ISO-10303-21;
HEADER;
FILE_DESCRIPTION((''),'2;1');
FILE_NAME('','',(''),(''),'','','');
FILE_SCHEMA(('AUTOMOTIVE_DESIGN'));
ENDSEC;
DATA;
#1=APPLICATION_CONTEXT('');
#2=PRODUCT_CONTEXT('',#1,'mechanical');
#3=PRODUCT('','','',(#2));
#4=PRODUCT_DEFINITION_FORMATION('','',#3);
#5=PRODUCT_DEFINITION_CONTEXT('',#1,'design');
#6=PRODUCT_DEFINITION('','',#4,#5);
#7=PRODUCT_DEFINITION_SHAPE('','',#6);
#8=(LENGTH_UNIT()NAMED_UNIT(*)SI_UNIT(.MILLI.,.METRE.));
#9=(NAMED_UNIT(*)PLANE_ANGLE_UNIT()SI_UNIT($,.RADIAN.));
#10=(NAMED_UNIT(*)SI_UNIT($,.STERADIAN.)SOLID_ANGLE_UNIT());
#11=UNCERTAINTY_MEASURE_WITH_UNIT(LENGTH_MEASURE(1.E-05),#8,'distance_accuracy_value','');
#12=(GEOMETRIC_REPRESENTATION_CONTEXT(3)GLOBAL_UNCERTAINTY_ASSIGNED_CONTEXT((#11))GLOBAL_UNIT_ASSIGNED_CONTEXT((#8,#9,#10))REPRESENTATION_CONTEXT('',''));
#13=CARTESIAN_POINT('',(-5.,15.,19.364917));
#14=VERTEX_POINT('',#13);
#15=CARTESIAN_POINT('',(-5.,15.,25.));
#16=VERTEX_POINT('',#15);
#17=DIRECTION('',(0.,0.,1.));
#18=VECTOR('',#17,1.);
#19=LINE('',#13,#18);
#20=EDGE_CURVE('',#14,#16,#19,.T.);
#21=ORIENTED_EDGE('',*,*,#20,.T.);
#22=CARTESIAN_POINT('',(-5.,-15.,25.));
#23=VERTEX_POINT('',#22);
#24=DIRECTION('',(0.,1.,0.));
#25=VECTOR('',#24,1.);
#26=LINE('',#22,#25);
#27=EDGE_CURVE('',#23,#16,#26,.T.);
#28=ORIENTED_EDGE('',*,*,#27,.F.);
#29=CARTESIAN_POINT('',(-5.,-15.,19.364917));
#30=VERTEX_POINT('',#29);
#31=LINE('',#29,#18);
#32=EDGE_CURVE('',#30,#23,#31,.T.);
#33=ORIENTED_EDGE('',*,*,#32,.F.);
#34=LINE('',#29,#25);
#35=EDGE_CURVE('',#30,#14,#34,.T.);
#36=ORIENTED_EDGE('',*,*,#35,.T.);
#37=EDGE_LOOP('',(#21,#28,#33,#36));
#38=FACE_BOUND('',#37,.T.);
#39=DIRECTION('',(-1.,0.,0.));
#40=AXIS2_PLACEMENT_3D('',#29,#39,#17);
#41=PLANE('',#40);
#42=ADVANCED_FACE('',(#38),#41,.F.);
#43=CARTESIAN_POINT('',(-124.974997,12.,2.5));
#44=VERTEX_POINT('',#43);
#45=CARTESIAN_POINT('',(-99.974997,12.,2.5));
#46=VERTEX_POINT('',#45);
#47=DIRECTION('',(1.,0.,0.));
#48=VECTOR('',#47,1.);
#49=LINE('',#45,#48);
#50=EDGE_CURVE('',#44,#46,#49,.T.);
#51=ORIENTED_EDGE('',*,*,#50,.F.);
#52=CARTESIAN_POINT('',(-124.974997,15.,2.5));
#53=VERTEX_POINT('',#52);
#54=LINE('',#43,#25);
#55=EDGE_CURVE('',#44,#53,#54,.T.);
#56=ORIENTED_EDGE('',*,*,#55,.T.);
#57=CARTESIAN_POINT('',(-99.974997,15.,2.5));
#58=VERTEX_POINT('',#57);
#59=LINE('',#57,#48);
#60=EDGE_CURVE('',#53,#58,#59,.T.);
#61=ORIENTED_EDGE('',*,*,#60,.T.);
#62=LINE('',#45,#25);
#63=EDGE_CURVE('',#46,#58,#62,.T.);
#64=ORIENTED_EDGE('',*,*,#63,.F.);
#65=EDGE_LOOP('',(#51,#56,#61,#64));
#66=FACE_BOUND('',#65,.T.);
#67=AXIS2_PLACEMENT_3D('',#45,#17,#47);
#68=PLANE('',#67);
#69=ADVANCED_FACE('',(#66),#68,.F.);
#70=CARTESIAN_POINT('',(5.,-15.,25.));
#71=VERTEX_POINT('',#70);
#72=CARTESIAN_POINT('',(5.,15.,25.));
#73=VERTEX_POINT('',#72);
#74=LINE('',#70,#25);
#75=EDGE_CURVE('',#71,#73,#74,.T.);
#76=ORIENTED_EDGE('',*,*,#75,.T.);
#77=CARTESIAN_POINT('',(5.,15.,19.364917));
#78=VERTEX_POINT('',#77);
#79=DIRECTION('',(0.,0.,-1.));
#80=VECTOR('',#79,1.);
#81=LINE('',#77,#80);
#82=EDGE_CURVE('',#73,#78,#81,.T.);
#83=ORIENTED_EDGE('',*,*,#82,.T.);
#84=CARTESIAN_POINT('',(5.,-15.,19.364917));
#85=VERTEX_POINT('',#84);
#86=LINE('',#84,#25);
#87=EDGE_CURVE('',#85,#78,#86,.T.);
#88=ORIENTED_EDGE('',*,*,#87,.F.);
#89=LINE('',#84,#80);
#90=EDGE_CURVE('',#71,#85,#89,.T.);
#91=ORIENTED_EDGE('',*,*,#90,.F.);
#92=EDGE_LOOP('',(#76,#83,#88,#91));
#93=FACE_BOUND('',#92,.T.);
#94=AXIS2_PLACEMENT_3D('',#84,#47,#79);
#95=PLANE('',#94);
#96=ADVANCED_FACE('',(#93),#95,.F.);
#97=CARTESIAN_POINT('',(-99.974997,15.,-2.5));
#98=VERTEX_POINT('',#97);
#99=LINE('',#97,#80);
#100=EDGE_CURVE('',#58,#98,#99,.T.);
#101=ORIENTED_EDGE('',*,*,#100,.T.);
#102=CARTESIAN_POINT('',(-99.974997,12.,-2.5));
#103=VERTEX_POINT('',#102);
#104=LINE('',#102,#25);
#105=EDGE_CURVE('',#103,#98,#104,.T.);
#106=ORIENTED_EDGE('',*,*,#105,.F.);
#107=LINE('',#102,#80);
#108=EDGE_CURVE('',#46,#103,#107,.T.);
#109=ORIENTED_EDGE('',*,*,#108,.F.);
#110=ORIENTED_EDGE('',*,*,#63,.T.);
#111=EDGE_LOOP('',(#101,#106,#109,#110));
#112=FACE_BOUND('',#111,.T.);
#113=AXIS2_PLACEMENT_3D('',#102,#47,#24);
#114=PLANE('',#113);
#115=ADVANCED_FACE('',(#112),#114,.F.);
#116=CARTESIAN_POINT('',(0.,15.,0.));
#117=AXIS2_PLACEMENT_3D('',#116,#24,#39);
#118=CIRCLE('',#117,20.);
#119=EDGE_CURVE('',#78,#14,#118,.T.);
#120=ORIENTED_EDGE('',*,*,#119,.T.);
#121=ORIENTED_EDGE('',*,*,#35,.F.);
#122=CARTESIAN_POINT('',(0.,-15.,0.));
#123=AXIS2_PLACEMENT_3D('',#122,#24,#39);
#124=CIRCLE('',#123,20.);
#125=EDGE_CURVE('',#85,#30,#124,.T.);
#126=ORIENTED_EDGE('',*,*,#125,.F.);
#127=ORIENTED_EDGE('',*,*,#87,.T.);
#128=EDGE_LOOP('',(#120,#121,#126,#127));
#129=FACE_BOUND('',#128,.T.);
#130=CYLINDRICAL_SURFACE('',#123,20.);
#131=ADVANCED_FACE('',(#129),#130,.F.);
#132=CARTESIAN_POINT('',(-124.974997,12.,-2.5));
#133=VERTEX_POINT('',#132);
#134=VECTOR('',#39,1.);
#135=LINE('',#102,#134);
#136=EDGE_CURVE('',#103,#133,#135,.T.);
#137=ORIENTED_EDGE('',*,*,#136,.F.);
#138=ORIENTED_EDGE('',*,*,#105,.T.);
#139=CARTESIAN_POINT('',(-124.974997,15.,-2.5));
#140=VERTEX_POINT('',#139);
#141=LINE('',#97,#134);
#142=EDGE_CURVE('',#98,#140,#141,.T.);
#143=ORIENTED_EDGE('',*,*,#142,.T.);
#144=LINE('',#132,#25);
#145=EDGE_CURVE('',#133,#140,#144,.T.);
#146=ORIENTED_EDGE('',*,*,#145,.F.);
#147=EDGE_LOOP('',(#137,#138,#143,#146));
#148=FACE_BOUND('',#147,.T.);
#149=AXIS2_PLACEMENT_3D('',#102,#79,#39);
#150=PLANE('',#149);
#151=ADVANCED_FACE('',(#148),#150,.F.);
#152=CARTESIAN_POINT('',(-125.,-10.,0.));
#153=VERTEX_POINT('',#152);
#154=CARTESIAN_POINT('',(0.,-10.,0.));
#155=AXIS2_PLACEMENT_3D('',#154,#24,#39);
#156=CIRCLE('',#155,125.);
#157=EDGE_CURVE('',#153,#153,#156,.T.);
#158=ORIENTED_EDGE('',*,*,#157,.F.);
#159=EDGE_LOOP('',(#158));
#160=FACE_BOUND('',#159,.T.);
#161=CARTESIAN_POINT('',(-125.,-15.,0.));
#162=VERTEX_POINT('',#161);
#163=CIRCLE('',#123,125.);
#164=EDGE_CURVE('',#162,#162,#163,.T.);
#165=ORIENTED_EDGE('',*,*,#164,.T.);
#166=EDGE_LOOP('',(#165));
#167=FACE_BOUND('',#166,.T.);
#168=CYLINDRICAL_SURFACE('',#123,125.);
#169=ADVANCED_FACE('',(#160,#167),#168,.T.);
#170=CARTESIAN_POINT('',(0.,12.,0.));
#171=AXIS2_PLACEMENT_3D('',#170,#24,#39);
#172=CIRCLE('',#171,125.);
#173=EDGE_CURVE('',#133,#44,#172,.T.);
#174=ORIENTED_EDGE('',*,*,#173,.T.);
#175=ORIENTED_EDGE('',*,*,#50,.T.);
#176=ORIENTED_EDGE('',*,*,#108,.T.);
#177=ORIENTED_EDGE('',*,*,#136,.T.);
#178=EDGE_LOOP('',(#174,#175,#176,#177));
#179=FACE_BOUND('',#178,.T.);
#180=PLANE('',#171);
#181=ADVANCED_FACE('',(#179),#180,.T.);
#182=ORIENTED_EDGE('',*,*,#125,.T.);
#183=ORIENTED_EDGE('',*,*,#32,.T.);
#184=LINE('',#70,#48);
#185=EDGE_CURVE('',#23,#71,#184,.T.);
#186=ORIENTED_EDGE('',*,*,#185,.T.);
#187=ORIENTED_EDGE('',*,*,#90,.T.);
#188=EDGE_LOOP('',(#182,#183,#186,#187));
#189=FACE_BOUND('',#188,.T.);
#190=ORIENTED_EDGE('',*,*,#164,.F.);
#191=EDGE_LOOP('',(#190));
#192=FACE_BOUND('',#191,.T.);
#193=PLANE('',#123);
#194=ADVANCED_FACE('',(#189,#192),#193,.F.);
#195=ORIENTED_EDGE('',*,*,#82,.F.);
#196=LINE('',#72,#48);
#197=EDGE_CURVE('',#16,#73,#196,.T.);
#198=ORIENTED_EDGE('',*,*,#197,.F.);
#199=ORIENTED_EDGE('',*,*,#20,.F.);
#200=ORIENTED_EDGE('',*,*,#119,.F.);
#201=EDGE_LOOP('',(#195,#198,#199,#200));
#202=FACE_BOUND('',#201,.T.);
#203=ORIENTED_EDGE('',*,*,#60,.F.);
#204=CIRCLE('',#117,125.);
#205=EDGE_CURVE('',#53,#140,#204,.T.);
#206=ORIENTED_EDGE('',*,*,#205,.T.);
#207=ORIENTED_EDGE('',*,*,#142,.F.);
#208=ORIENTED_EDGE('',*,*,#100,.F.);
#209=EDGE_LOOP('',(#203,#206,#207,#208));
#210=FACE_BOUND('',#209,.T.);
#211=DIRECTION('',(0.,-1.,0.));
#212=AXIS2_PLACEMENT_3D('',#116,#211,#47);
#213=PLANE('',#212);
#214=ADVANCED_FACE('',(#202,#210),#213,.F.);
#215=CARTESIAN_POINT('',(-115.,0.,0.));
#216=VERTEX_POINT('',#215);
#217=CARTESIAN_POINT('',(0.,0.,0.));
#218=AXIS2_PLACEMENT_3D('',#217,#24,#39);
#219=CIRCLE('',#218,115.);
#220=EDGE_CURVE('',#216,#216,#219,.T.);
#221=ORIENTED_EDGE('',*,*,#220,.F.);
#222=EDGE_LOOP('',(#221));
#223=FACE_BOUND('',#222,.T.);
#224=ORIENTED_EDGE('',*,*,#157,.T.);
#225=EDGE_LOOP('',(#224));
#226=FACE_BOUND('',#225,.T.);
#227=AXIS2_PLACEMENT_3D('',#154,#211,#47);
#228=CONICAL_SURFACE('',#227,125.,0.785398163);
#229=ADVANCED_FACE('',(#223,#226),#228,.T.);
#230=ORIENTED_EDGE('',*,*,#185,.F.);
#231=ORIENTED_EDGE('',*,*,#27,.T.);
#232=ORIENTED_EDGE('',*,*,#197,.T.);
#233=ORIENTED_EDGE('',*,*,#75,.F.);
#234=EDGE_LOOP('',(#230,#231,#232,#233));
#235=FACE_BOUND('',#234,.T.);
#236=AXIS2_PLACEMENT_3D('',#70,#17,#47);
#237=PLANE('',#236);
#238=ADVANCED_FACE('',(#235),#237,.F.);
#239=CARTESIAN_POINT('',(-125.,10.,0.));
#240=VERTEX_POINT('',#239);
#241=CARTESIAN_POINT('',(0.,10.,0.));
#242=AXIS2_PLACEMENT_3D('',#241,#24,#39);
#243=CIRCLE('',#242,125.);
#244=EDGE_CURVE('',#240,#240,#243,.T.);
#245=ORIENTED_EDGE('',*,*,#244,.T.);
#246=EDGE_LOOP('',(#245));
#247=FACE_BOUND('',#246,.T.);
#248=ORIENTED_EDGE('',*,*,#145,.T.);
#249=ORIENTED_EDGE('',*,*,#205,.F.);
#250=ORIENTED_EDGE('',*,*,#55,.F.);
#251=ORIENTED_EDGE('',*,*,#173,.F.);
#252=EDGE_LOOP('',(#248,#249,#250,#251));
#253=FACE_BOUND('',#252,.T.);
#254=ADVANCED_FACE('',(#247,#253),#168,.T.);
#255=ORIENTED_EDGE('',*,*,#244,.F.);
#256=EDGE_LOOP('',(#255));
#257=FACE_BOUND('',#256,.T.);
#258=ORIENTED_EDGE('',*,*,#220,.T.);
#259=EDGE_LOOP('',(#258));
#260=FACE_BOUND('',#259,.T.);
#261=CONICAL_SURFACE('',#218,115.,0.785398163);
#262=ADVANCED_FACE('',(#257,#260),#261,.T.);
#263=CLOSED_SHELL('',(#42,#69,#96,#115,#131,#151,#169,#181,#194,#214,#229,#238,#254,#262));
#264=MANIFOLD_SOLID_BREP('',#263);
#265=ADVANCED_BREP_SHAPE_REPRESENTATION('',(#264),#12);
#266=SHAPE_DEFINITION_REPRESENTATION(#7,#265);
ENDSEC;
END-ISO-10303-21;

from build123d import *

# Parameters (mm, degrees)
CUT_EXTRUDE1_DEPTH = 180.30421077
CUT_EXTRUDE3_START = -3
CUT_EXTRUDE3_DEPTH = 3


with BuildPart() as part:
    # Sketch1 → Revolve1 (revolve)
    with BuildSketch(Plane.XY):
        Polygon((0, 15), (125, 15), (125, 10), (115, 0), (125, -10), (125, -15), (0, -15), align=None)
    revolve(axis=Axis((0, -15, 0), (0, -1, 0)))

    # Sketch2 → Cut-Extrude1 (cut, through all)
    with BuildSketch(Plane(origin=(0, 15, 0), x_dir=(-1, 0, 0), z_dir=(0, 1, 0))):
        with BuildLine():
            Line((-5, 19.364916731), (-5, 25))
            Line((-5, 25), (5, 25))
            Line((5, 25), (5, 19.364916731))
            ThreePointArc((5, 19.364916731), (0, -20), (-5, 19.364916731))
        make_face()
    extrude(amount=-CUT_EXTRUDE1_DEPTH, mode=Mode.SUBTRACT)

    # Sketch3 → Cut-Extrude3 (cut)
    with BuildSketch(Plane(origin=(0, 15, 0), x_dir=(-1, 0, 0), z_dir=(0, 1, 0)).offset(CUT_EXTRUDE3_START)):
        with BuildLine():
            Line((99.974997499, -2.5), (124.974997499, -2.5))
            ThreePointArc((124.974997499, -2.5), (125, 0), (124.974997499, 2.5))
            Line((124.974997499, 2.5), (99.974997499, 2.5))
            Line((99.974997499, 2.5), (99.974997499, -2.5))
        make_face()
    extrude(amount=CUT_EXTRUDE3_DEPTH, mode=Mode.SUBTRACT)


solid = part.part
